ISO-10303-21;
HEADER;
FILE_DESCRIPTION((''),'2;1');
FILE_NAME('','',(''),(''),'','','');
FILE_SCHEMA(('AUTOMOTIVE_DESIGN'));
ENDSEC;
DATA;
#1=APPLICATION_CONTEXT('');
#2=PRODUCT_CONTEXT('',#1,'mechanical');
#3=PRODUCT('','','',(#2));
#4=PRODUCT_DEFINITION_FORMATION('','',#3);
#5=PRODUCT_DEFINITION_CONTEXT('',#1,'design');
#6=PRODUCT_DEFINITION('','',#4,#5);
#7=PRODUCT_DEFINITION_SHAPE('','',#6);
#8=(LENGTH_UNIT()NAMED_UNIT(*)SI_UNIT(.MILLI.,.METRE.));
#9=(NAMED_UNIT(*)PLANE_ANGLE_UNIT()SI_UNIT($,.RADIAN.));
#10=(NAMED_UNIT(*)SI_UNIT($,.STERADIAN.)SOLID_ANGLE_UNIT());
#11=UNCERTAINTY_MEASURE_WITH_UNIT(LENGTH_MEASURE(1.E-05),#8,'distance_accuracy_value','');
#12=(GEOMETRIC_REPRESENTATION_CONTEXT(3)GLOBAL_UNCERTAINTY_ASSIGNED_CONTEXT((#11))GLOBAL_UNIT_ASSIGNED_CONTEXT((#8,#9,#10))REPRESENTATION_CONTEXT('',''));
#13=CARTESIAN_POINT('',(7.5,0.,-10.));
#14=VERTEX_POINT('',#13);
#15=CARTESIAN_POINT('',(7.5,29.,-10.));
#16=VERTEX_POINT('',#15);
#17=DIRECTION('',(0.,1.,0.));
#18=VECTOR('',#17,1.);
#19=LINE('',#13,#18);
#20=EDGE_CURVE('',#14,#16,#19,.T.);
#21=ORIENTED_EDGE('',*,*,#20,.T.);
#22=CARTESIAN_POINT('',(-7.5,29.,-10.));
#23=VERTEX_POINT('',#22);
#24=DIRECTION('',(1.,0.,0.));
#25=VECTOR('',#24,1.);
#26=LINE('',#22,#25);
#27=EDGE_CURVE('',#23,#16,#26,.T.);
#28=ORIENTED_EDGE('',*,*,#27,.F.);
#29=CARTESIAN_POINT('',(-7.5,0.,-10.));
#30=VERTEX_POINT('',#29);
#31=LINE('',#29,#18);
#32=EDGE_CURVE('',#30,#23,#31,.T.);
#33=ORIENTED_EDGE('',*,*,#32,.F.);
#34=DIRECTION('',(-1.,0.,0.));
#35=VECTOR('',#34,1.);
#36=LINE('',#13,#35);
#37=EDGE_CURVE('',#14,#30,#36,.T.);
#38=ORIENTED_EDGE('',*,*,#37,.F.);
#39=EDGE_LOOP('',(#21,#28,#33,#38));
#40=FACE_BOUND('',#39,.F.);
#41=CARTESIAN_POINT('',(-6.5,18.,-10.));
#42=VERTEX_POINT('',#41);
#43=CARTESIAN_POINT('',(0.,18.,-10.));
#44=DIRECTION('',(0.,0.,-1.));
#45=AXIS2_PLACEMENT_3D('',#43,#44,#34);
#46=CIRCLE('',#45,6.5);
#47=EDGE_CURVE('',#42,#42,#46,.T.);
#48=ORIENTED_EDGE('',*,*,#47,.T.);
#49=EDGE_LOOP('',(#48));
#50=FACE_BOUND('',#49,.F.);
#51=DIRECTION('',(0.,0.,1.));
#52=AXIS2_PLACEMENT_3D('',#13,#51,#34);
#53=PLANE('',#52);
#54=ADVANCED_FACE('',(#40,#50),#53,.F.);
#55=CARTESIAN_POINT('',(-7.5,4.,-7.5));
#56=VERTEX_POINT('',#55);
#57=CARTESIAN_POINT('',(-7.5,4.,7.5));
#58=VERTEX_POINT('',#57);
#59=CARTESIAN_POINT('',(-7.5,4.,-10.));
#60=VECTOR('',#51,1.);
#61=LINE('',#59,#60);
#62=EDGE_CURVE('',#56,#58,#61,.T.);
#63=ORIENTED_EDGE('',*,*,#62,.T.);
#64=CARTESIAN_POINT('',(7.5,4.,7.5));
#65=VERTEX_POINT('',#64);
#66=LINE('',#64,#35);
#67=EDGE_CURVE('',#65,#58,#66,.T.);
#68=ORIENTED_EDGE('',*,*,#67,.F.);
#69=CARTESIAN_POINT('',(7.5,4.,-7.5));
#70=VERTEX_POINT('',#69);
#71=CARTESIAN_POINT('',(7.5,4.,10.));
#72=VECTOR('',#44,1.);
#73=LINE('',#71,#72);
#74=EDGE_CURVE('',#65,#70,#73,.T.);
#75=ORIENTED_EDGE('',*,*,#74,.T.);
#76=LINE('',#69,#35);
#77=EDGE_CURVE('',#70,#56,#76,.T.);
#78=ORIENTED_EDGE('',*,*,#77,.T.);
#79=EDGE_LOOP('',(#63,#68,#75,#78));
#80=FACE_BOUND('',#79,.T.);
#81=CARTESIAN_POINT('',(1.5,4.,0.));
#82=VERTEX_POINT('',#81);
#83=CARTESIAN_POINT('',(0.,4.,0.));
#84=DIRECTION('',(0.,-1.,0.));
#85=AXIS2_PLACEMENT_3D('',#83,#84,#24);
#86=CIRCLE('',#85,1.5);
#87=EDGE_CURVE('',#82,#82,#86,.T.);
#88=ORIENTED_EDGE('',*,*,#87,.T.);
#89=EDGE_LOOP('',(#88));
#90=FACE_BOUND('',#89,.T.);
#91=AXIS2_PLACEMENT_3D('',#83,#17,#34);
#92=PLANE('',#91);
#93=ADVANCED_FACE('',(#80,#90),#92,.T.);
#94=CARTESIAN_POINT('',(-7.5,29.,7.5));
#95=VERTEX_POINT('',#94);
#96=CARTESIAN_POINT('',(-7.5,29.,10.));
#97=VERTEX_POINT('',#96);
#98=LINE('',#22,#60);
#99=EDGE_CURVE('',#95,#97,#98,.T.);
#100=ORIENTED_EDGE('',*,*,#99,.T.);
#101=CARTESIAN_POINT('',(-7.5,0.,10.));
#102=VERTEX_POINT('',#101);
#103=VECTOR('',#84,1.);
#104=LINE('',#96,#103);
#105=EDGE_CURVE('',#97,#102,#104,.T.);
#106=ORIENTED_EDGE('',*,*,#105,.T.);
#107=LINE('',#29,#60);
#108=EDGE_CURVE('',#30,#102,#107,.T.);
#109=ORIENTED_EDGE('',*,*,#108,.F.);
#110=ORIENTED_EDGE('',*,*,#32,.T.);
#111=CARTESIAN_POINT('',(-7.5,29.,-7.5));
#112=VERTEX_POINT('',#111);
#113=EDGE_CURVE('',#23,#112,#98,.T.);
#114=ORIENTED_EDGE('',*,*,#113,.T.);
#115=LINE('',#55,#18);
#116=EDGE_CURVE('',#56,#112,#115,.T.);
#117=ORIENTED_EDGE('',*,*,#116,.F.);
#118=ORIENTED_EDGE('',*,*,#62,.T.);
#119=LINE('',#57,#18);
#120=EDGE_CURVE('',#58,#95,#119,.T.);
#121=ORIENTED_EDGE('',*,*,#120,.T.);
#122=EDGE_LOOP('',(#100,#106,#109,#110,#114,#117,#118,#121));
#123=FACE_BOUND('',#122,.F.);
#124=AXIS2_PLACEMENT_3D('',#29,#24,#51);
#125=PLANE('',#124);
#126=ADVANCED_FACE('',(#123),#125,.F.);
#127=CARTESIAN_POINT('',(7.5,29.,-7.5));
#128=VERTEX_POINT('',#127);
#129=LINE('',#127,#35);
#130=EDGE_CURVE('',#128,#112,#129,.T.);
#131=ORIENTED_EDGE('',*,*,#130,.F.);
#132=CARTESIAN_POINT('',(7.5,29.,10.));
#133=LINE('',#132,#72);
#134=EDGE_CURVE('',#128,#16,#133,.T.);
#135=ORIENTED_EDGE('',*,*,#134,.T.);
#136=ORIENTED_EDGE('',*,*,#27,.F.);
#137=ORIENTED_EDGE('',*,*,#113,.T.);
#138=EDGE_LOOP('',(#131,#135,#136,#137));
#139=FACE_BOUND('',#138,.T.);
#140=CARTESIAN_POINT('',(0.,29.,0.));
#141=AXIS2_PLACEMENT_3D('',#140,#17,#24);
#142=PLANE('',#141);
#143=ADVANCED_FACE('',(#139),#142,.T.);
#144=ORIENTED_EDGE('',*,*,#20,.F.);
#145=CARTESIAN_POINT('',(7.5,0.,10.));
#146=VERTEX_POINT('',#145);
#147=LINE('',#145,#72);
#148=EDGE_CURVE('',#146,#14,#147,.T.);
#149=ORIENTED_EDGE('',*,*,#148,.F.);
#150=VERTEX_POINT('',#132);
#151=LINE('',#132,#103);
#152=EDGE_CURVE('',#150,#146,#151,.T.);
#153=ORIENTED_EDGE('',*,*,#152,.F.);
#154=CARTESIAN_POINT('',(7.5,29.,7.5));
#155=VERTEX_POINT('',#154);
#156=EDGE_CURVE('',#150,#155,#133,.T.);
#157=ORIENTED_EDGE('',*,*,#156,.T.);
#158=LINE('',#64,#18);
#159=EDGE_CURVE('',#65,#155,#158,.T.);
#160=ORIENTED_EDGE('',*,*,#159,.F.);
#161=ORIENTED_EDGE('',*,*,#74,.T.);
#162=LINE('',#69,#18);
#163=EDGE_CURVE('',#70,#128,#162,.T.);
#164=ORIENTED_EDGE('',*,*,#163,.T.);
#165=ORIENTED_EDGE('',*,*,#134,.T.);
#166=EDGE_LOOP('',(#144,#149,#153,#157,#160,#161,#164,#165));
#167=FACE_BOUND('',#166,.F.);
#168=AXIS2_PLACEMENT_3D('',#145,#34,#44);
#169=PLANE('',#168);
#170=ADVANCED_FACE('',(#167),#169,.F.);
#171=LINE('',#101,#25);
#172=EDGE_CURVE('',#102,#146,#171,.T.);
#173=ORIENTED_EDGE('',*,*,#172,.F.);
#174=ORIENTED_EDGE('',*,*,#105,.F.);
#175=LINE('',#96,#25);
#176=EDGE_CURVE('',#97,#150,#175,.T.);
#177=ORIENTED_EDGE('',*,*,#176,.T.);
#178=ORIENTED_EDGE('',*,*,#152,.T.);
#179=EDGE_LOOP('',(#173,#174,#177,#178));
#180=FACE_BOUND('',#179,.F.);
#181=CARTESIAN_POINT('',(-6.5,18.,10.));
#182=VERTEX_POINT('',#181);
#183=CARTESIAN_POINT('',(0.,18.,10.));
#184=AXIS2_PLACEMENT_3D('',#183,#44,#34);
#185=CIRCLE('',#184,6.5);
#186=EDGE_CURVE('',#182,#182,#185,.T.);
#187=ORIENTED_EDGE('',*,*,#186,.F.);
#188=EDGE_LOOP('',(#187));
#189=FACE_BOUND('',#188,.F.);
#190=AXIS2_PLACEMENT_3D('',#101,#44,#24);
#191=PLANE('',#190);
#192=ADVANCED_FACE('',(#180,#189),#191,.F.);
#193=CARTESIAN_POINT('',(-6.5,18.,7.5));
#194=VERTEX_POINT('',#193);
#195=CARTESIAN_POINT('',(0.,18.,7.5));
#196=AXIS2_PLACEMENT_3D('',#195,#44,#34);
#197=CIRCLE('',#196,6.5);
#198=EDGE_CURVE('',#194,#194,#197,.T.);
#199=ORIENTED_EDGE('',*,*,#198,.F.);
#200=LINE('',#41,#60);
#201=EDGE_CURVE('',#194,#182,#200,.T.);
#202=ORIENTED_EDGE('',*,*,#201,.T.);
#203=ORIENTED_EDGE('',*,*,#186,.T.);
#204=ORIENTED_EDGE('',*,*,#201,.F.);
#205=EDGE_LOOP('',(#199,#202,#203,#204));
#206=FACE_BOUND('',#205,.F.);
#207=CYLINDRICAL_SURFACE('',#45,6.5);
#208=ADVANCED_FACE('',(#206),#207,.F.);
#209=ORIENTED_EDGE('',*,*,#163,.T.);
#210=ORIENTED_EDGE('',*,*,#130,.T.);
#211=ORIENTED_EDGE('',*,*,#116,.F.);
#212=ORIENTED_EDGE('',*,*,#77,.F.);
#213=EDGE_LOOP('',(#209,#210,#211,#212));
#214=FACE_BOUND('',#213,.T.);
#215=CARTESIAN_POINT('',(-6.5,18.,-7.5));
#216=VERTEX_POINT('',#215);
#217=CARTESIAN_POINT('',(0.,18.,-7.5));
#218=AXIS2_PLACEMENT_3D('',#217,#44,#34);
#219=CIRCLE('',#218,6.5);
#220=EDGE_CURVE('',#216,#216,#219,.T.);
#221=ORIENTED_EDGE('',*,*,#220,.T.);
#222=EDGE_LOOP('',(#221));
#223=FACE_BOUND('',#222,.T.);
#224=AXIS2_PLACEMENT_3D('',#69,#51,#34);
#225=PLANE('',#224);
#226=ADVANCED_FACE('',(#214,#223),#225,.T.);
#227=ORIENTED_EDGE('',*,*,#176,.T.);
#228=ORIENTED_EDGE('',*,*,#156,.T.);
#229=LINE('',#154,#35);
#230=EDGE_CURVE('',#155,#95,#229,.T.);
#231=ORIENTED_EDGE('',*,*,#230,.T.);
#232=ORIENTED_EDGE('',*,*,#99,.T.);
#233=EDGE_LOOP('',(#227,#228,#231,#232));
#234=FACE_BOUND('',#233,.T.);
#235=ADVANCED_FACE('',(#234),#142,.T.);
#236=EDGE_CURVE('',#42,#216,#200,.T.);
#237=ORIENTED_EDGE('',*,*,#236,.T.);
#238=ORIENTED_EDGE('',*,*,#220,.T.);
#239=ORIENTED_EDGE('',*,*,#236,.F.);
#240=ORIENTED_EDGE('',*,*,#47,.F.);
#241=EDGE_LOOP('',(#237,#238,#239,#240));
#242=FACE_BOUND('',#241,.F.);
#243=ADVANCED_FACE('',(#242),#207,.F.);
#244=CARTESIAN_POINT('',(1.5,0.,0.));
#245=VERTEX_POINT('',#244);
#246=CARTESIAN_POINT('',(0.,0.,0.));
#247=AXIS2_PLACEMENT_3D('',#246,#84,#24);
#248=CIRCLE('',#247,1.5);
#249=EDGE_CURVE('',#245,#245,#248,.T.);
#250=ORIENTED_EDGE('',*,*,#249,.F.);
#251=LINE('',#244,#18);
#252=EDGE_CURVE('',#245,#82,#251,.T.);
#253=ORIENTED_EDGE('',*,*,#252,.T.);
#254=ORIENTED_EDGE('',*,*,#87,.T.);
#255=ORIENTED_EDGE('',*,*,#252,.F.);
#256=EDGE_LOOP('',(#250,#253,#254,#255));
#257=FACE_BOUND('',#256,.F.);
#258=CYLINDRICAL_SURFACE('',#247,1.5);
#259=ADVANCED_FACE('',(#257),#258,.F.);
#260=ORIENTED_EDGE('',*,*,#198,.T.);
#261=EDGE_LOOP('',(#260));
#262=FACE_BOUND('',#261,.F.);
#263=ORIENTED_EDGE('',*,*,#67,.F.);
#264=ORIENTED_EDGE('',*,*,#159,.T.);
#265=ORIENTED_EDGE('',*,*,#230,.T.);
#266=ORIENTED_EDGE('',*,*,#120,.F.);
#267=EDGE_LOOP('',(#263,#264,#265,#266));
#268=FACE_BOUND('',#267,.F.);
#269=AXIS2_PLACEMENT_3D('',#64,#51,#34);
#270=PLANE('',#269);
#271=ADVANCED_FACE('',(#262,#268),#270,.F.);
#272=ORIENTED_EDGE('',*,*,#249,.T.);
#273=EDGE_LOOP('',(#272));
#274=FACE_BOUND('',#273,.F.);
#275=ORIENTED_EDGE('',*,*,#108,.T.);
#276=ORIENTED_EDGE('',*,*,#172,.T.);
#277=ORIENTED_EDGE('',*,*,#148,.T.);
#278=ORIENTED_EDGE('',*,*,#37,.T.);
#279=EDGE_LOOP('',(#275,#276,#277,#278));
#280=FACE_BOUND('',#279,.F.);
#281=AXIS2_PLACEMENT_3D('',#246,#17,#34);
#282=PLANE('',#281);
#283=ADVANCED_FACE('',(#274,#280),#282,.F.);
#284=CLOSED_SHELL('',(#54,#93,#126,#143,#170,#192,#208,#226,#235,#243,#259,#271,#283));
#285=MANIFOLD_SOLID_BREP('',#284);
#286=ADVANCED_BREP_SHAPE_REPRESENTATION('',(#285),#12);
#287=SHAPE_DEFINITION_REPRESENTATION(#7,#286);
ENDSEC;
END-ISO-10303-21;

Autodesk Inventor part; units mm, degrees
ref_plane "YZ Plane" through (0, 0, 0) normal (1, 0, 0) x (0, 1, 0)
ref_plane "XZ Plane" through (0, 0, 0) normal (0, 1, 0) x (-1, 0, 0)
ref_plane "XY Plane" through (0, 0, 0) normal (0, 0, 1) x (1, 0, 0)
sketch "Sketch1" plane through (0, 0, 0) normal (0, 1, 0) x (-1, 0, 0)
  line L0 (-7.5, -10) -> (7.5, -10)
  line L1 (7.5, -10) -> (7.5, 10)
  line L2 (7.5, 10) -> (-7.5, 10)
  line L3 (-7.5, 10) -> (-7.5, -10)
  line L4 (-7.5, -10) -> (7.5, 10) construction
  line L5 (7.5, -10) -> (-7.5, 10) construction
  point P0 (0, 0)
  dimension "d0" = 15
  dimension "d1" = 20
extrude "Extrusion1" add sketch "Sketch1" along normal blind 4
sketch "Sketch2" plane through (0, 4, 0) normal (0, 1, 0) x (1, 0, 0)
  line L0 (-7.5, 10) -> (-7.5, -10) projected
  line L1 (7.5, -10) -> (7.5, 10) projected
  line L2 (-7.5, 10) -> (7.5, 10)
  line L3 (7.5, 10) -> (7.5, 7.5)
  line L4 (7.5, 7.5) -> (-7.5, 7.5)
  line L5 (-7.5, 7.5) -> (-7.5, 10)
  line L6 (7.5, 0) -> (0, 0) construction
  line L7 (-7.5, -10) -> (-7.5, 10)
  line L8 (7.5, 10) -> (7.5, -10)
  line L9 (-7.5, -10) -> (7.5, -10)
  line L10 (7.5, -7.5) -> (-7.5, -7.5)
  dimension "d4" = 2.5
extrude "Extrusion2" add sketch "Sketch2" along normal blind 25 contours L2 L1 L4 L0 | L10 L1 L9 L0
sketch "Sketch4" plane through (7.5, 0, -10) normal (0, 0, -1) x (-1, 0, 0)
  line L0 (7.5, 0) -> (7.5, 7) construction
  line L1 (0, 0) -> (0, 29) construction
  line L2 (15, 4) -> (15, 29) construction
  line L3 (0, 4) -> (0, 29) construction
  line L4 (15, 7) -> (0, 7) construction
  line L5 (0, 29) -> (15, 29) construction
  line L6 (15, 29) -> (0, 7) construction
  line L7 (0, 29) -> (15, 7) construction
  circle A0 centre (7.5, 18) radius 6.5
  dimension "d12" = 7
  dimension "d13" = 13
  dimension "d14" = 34.287
extrude "Extrusion4" cut sketch "Sketch4" against normal blind 25
sketch "Sketch5" plane through (0, 0, 0) normal (0, -1, 0) x (1, 0, 0)
  line L0 (-7.5, 10) -> (7.5, 10) construction
  line L1 (-7.5, 10) -> (7.5, -10) construction
  line L2 (7.5, 10) -> (-7.5, -10) construction
  circle A0 centre (0, 0) radius 1.5
  dimension "d17" = 3
extrude "Extrusion5" cut sketch "Sketch5" against normal blind 5
properties part number "llanta_1"
